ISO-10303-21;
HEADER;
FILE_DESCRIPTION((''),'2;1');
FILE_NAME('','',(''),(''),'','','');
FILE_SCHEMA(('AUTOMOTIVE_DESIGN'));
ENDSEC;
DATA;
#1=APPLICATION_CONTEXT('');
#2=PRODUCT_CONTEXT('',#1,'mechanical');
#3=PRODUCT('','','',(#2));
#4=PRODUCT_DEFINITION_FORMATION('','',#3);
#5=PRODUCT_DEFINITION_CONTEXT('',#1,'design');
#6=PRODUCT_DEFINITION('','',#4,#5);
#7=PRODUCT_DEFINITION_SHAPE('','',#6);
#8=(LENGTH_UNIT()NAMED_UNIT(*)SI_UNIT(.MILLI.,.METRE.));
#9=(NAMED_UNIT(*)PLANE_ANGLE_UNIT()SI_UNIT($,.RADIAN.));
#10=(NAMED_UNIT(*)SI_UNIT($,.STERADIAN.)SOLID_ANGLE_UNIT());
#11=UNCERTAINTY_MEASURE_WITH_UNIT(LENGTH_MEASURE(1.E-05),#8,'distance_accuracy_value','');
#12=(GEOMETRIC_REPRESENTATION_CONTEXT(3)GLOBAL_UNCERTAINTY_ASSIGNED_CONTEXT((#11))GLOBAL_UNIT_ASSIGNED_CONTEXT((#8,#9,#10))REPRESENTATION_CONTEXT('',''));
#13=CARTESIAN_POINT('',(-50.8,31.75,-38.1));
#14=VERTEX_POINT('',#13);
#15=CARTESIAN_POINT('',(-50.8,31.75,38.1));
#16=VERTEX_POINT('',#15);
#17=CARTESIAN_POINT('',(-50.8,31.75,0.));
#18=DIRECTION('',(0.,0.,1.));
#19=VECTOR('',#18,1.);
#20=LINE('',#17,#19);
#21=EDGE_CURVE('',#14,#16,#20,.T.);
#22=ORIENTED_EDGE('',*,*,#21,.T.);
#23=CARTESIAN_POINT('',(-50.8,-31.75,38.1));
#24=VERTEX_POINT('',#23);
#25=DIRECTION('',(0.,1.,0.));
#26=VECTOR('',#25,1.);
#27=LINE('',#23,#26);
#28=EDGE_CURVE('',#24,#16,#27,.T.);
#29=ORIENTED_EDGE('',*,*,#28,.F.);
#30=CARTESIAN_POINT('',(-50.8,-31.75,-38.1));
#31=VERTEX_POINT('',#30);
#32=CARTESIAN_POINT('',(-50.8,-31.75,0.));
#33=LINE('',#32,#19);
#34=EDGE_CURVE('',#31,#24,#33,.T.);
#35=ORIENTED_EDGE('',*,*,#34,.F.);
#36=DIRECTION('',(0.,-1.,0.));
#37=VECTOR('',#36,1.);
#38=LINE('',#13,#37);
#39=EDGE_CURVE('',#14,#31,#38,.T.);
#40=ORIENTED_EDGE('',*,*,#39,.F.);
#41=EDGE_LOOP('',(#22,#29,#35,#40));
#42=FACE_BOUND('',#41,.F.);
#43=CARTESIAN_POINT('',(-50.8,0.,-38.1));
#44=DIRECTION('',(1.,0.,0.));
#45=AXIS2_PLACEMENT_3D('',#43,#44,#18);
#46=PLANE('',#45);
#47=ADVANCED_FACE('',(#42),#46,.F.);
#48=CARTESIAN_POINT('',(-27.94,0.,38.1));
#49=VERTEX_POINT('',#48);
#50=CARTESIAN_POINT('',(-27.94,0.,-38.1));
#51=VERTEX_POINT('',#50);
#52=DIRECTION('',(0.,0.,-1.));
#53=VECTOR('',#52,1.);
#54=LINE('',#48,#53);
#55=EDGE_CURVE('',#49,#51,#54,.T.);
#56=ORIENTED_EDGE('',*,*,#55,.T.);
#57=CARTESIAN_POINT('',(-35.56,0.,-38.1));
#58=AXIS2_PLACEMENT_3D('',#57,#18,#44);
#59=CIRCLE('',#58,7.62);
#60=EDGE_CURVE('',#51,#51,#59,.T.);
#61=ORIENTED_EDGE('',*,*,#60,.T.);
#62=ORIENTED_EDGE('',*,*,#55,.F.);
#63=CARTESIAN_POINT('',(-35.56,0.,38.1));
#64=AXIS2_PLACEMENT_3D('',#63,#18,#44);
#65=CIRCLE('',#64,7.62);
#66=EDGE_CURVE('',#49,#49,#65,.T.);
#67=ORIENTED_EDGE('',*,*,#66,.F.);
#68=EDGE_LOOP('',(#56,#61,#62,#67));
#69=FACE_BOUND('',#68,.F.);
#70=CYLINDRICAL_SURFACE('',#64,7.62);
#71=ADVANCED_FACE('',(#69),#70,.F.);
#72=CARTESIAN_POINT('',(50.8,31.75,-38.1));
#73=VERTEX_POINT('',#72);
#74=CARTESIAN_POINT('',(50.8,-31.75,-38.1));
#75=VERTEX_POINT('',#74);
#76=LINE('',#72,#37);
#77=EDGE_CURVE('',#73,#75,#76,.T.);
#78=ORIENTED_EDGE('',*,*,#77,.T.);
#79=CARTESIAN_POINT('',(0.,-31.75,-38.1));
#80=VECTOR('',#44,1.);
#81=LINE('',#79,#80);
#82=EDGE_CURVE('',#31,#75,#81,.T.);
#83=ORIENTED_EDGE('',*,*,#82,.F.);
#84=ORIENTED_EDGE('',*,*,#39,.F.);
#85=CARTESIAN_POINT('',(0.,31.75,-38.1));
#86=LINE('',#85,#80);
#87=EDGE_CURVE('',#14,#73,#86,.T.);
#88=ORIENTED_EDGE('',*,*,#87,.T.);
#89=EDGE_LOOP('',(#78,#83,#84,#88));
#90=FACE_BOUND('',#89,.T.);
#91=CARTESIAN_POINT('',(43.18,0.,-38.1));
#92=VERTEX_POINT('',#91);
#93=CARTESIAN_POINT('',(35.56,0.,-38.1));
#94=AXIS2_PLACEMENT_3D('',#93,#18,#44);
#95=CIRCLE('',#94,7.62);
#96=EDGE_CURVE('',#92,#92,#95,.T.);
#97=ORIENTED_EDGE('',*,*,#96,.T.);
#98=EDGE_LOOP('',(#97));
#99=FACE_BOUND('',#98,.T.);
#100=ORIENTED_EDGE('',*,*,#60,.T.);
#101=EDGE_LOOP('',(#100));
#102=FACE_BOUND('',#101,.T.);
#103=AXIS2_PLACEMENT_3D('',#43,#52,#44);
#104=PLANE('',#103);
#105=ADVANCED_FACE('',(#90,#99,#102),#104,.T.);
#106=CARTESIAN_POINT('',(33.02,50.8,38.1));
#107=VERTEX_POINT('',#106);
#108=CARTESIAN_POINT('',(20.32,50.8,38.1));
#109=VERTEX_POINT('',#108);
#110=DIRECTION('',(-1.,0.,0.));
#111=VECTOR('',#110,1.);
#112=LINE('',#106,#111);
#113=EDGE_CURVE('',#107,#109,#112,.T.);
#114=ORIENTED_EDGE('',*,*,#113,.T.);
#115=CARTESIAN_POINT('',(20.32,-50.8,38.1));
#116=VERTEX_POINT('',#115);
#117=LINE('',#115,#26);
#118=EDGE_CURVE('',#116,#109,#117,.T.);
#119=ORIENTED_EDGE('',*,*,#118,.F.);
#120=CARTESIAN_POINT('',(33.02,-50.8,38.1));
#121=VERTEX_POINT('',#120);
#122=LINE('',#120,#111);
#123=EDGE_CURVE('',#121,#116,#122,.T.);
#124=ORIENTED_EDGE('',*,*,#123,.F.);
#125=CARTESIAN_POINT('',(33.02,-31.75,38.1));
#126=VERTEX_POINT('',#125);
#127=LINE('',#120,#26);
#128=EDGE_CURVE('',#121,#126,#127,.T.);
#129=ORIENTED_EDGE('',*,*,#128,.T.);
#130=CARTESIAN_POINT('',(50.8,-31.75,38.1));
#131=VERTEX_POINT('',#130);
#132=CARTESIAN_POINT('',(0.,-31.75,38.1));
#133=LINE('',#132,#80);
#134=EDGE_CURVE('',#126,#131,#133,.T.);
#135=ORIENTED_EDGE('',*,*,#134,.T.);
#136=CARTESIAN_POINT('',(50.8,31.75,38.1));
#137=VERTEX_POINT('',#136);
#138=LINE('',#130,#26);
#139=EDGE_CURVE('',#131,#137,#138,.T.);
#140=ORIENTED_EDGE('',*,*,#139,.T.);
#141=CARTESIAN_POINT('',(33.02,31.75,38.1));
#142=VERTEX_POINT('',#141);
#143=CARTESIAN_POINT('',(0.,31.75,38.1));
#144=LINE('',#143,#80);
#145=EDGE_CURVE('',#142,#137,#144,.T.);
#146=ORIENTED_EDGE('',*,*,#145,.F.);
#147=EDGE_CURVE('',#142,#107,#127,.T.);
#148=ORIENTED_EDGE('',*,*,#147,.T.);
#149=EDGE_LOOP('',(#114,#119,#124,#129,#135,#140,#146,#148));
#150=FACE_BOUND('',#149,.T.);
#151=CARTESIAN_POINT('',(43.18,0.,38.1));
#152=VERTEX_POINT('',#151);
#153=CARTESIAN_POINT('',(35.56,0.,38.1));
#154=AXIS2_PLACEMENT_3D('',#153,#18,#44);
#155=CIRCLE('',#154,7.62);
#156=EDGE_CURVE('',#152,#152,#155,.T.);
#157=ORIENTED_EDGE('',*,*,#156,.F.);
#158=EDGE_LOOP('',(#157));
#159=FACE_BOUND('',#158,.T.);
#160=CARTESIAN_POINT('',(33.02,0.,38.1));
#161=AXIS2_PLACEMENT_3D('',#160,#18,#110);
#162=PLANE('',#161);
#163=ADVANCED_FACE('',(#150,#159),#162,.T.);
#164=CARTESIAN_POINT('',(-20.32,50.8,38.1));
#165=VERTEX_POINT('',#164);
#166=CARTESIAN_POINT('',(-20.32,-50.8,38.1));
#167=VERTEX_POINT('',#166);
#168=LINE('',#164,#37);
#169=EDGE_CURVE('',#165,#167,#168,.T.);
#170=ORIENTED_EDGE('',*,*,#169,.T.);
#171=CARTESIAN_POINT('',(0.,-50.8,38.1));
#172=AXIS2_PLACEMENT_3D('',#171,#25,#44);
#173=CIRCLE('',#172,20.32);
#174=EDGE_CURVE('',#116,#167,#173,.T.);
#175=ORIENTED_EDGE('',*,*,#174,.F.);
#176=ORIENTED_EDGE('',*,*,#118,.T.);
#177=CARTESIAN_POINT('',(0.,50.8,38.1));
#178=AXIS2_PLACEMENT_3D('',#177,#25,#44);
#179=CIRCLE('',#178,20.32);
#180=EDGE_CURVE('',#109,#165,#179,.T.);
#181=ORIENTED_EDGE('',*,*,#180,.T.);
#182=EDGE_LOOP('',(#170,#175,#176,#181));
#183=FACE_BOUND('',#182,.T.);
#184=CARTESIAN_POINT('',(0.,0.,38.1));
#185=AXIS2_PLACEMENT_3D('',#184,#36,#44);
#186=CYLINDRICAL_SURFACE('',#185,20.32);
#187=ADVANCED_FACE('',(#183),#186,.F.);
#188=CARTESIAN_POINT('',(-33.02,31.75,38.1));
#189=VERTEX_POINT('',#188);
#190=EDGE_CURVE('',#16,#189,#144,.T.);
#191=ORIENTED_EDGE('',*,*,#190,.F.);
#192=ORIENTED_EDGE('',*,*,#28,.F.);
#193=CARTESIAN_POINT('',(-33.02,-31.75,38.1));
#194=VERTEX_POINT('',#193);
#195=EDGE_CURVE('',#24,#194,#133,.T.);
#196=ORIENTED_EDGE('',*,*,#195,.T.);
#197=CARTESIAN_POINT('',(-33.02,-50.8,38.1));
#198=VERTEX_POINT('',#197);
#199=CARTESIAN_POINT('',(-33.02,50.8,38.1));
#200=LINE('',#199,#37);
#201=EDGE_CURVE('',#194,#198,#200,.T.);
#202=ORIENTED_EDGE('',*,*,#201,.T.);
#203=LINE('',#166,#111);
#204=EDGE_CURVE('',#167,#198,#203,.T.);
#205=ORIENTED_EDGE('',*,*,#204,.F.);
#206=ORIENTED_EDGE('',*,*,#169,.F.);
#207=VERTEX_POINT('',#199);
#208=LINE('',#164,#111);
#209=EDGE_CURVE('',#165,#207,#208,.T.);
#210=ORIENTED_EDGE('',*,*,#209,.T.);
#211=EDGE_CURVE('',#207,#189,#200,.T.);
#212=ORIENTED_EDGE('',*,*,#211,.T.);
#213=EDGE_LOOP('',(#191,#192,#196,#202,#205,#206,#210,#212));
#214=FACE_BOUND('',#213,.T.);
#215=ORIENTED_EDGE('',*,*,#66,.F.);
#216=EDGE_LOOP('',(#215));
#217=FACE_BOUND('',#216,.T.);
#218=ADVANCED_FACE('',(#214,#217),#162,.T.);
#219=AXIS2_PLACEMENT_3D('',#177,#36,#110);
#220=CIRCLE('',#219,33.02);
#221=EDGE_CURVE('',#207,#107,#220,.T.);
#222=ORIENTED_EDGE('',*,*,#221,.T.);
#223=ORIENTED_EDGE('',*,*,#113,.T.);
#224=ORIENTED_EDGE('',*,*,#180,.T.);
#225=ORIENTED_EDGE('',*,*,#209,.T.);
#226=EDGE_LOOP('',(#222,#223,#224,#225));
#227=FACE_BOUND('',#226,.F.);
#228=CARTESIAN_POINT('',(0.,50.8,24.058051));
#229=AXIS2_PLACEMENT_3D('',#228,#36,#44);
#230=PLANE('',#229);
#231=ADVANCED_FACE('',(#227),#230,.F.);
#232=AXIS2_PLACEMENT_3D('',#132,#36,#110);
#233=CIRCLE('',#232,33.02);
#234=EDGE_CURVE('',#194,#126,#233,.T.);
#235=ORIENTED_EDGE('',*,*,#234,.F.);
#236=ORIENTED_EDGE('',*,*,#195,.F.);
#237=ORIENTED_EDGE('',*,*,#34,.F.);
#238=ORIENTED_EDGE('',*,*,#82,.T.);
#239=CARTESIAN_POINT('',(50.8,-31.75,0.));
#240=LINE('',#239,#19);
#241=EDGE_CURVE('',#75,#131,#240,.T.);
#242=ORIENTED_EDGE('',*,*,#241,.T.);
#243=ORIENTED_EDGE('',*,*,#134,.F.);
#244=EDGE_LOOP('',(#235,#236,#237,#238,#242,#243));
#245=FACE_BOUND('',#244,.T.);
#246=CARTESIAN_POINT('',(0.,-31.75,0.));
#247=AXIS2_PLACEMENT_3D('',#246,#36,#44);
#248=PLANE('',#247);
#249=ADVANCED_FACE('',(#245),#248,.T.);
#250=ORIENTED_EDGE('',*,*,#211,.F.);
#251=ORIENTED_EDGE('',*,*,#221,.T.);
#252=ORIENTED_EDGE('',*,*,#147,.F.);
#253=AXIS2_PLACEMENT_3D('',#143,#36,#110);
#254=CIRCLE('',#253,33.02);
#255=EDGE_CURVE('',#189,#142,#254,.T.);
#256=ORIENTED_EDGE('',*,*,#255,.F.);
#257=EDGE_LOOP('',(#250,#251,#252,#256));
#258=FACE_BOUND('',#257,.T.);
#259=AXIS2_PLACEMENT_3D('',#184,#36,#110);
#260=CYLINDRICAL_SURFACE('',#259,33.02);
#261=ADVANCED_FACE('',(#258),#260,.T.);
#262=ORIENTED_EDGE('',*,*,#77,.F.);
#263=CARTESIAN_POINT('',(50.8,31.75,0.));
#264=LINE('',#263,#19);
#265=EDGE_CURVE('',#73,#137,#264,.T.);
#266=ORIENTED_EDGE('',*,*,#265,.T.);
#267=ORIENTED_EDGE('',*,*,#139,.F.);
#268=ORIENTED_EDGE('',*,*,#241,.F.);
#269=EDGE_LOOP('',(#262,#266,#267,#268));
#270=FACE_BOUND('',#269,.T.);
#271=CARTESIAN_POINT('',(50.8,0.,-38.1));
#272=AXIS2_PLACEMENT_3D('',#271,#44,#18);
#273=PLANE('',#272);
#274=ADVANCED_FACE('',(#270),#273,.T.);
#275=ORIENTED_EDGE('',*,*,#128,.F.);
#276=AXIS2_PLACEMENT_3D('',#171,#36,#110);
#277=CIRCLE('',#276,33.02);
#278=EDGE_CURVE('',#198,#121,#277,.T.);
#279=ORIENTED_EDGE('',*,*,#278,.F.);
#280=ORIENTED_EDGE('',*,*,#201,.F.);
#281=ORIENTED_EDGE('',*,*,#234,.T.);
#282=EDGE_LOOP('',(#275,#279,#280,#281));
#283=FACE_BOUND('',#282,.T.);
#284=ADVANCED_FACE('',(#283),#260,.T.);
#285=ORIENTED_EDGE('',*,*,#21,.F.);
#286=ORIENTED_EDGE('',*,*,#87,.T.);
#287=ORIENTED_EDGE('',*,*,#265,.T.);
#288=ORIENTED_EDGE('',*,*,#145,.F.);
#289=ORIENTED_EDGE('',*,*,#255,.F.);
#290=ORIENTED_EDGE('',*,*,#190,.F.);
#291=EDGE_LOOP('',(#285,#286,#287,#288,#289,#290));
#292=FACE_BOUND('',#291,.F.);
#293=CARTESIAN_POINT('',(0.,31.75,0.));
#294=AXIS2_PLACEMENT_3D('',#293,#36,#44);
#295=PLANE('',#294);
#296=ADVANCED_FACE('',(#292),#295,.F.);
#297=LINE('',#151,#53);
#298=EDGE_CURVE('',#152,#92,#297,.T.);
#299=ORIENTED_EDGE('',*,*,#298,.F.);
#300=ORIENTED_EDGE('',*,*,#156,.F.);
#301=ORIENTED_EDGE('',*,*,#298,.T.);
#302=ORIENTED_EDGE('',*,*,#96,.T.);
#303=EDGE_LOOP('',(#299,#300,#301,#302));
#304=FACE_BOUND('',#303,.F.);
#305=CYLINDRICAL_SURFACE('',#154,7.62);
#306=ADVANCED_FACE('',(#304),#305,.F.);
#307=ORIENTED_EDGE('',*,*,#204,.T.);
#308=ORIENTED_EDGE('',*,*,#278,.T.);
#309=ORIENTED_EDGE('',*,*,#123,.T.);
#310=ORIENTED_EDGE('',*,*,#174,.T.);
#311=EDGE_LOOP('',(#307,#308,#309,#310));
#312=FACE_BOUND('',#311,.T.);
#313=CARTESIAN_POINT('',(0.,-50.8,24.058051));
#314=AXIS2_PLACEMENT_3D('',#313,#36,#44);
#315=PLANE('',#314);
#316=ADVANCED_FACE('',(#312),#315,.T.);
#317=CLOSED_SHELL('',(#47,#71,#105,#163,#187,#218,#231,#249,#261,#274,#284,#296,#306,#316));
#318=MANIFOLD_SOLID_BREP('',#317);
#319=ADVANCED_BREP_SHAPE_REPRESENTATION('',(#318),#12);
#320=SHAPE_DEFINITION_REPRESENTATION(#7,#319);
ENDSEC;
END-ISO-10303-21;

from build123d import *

# Parameters (mm, degrees)
F0_W     = 101.6
F0_H     = 76.2
F1_DEPTH = 31.75
F3_DEPTH = 50.8
F5_DEPTH = 76.2
F6_R     = 7.62
F7_DEPTH = 76.2


with BuildPart() as f1:
    # F0 (on Front) → F1 (new body, symmetric)
    with BuildSketch(Plane.XZ):
        Rectangle(F0_W, F0_H)
    extrude(amount=F1_DEPTH, both=True)

    # F2 (on Front) → F3 (join, symmetric)
    with BuildSketch(Plane.XZ):
        with BuildLine():
            ThreePointArc((20.32, 38.1), (0, 17.78), (-20.32, 38.1))
            Line((-20.32, 38.1), (-33.02, 38.1))
            ThreePointArc((-33.02, 38.1), (0, 5.08), (33.02, 38.1))
            Line((33.02, 38.1), (20.32, 38.1))
        make_face()
    extrude(amount=F3_DEPTH, both=True)

    # F4 (on face) → F5 (cut)
    with BuildSketch(Plane.XZ.offset(31.75)):
        with BuildLine():
            Line((20.32, 38.1), (-20.32, 38.1))
            ThreePointArc((-20.32, 38.1), (0, 17.78), (20.32, 38.1))
        make_face()
    extrude(amount=-F5_DEPTH, mode=Mode.SUBTRACT)

    # F6 (on face) → F7 (cut)
    with BuildSketch(Plane.XY.offset(38.1)):
        with Locations((-35.56, 0)):
            Circle(F6_R)
        with Locations((35.56, 0)):
            Circle(F6_R)
    extrude(amount=-F7_DEPTH, mode=Mode.SUBTRACT)


solid = f1.part
